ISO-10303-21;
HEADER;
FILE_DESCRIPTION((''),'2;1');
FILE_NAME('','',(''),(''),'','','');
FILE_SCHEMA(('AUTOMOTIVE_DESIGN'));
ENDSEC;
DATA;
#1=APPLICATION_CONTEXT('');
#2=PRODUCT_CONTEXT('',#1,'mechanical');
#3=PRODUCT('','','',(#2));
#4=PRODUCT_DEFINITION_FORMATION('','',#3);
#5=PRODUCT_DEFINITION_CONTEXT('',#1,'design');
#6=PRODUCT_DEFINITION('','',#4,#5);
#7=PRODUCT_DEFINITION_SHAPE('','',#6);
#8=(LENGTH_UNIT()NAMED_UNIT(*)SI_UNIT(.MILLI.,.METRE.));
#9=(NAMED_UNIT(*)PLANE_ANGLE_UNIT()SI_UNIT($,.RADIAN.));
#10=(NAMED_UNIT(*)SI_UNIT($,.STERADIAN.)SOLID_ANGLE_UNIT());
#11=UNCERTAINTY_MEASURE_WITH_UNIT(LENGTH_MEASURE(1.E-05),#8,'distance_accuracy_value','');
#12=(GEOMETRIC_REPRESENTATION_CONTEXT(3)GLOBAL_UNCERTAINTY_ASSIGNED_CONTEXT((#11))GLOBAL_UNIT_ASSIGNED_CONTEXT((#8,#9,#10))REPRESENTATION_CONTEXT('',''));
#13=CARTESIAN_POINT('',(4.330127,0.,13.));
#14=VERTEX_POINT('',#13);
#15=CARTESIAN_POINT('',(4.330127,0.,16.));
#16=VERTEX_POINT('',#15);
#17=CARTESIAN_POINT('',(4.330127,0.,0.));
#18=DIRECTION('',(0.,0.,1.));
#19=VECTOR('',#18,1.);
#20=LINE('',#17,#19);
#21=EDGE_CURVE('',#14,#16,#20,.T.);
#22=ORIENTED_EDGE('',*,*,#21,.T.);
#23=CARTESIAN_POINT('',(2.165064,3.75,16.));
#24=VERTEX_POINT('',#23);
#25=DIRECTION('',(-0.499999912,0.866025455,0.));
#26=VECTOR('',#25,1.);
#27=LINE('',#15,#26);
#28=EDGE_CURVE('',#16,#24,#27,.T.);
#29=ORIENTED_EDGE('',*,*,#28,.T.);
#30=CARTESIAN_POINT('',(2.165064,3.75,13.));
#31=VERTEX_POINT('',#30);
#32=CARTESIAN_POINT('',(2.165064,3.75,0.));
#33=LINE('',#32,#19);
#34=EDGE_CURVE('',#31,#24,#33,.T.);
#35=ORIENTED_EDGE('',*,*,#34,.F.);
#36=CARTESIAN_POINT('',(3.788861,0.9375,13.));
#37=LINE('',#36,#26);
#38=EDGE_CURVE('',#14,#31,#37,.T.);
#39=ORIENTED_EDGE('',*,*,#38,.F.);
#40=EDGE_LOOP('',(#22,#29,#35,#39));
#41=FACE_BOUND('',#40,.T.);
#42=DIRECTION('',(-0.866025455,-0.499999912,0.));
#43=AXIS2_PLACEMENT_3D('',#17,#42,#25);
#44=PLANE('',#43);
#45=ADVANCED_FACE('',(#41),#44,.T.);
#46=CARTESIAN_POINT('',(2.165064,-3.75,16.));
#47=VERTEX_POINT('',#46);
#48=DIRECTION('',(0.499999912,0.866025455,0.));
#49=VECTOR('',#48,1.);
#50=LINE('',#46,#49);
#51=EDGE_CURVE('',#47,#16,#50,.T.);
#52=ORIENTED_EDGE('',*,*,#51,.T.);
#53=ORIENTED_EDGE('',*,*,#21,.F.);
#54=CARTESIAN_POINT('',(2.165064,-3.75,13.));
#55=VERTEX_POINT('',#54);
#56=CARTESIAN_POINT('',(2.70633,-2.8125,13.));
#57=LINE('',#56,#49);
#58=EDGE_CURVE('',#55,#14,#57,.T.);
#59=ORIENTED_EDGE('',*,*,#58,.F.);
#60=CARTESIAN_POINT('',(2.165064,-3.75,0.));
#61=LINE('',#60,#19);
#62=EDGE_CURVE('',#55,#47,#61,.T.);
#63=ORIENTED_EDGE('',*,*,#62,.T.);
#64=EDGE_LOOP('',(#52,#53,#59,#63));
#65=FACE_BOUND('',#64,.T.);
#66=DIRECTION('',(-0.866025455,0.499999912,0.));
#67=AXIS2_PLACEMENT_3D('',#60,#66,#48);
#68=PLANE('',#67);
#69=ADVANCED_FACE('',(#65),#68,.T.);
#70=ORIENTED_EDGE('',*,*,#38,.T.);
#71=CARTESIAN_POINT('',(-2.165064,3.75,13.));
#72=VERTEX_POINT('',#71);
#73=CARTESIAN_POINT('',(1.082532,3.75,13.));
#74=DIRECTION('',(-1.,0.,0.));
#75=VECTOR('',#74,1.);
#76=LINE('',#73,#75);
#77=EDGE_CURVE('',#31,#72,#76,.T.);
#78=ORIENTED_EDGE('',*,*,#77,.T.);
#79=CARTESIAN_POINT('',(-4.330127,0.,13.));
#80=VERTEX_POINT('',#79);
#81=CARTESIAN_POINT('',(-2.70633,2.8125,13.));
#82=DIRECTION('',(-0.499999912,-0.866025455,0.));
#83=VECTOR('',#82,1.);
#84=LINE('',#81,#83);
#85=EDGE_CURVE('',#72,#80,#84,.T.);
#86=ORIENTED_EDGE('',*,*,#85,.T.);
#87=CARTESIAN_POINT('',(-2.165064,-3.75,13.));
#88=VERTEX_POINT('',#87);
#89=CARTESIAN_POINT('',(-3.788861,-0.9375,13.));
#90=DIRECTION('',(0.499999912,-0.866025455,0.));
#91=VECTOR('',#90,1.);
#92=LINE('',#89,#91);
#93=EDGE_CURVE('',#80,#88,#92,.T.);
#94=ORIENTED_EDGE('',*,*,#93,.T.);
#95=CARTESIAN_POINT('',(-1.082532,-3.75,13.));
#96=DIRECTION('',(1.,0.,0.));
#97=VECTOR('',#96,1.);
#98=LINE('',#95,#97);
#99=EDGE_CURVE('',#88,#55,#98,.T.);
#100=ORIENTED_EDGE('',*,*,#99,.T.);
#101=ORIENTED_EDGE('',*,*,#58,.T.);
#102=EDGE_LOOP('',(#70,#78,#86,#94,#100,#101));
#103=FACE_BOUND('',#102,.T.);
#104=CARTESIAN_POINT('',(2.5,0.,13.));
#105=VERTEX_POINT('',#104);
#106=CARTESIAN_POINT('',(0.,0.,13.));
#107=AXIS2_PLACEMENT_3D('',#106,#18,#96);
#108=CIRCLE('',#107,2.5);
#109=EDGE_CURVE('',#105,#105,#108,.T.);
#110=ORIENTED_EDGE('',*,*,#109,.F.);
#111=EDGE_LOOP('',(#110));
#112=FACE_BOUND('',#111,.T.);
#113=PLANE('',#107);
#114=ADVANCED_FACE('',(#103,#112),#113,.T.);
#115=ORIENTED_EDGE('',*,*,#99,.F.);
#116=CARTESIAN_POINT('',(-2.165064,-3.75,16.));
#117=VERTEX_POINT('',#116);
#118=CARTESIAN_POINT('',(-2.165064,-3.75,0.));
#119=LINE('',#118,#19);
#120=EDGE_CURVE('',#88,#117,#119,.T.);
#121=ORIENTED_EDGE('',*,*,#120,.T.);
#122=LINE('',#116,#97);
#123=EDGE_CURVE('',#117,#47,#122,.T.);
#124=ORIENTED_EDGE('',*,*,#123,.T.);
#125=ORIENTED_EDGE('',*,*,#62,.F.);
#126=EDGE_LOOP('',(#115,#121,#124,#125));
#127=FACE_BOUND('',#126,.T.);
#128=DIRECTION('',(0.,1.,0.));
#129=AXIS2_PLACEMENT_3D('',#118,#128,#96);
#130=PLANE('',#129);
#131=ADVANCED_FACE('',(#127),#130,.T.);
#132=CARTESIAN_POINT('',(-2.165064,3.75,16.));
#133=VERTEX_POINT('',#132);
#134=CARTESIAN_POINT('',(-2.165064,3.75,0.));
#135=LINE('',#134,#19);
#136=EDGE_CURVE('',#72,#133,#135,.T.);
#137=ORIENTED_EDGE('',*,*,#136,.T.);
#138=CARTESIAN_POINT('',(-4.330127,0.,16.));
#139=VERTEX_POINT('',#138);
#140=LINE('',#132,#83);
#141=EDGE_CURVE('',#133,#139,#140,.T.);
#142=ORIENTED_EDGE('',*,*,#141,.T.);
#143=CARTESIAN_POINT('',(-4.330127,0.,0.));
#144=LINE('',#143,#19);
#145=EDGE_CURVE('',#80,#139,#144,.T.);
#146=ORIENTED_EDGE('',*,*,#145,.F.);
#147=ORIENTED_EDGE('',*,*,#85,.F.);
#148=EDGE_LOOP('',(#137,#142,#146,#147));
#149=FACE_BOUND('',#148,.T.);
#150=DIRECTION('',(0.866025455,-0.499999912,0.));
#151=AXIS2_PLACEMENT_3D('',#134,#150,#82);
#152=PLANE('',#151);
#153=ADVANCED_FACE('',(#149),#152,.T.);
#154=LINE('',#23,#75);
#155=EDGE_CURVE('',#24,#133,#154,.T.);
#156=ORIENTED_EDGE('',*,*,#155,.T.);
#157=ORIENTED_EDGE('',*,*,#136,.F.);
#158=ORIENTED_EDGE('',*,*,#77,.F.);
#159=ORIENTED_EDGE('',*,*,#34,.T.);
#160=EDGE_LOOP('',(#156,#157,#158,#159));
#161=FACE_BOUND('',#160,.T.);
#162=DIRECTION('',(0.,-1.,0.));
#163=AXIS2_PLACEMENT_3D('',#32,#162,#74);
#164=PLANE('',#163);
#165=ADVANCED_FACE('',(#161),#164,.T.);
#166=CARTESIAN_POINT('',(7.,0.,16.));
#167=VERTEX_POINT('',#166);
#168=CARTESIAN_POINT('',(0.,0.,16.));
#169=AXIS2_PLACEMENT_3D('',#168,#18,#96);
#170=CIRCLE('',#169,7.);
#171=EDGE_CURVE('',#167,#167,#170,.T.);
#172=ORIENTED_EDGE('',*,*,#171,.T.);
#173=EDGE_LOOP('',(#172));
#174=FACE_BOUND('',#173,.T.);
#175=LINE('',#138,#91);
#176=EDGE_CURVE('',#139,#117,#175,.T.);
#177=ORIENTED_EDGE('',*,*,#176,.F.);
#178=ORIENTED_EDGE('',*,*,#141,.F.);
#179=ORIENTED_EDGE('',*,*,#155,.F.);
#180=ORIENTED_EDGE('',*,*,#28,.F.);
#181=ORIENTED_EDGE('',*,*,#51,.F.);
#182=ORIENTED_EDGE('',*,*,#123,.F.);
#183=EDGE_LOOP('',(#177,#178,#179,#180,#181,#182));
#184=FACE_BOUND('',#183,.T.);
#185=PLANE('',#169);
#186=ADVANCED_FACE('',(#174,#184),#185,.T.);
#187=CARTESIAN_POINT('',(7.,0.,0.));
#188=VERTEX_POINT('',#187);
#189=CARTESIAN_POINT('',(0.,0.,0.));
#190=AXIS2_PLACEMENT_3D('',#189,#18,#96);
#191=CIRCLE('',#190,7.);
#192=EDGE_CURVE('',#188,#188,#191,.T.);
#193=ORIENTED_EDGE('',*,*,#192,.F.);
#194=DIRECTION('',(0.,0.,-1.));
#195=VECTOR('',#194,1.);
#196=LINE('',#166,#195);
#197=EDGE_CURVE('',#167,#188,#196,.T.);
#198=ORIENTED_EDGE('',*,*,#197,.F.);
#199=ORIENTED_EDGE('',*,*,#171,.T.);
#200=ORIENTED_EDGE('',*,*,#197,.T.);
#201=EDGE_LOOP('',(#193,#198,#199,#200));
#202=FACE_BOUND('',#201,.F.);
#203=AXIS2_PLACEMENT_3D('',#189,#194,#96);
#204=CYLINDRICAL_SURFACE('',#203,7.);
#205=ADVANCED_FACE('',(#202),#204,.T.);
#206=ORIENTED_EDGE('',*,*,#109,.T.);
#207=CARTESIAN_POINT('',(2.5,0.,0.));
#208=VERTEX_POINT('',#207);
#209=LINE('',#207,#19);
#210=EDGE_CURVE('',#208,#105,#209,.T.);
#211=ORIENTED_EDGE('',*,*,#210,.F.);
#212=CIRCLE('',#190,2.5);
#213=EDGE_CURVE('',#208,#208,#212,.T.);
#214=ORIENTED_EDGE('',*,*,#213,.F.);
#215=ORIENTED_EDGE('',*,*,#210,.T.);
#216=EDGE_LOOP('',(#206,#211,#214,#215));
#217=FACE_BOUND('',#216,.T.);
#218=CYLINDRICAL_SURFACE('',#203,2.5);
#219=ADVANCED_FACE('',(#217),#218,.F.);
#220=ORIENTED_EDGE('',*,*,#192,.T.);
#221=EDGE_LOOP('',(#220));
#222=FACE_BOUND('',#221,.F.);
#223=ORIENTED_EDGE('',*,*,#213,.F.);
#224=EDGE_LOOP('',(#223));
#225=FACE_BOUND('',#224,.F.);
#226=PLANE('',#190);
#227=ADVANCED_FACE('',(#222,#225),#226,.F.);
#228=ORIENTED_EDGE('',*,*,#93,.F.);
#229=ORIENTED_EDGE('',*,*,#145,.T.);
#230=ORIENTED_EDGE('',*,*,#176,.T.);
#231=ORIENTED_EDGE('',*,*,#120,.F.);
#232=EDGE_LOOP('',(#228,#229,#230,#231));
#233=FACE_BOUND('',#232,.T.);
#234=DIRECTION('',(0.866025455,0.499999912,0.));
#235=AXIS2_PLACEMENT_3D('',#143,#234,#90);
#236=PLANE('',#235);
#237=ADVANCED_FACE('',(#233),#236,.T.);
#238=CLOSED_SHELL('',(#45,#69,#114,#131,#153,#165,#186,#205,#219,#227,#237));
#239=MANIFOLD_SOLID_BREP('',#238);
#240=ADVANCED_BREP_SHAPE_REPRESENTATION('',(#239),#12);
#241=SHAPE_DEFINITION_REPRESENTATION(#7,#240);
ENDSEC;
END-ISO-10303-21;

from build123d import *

# Parameters (mm, degrees)
SKETCH_R      = 7
PAD_DEPTH     = 16
SKETCH001_R   = 7
SKETCH001_R_2 = 2.5
PAD001_DEPTH  = 13


with BuildPart() as part:
    # Sketch → Pad (new body)
    with BuildSketch(Plane.XY):
        Circle(SKETCH_R)
        Polygon((4.330127, 0), (2.165064, 3.75), (-2.165064, 3.75), (-4.330127, 0), (-2.165064, -3.75), (2.165064, -3.75), align=None, mode=Mode.SUBTRACT)
    extrude(amount=PAD_DEPTH)

    # Sketch001 → Pad001 (join)
    with BuildSketch(Plane.XY):
        Circle(SKETCH001_R)
        Circle(SKETCH001_R_2, mode=Mode.SUBTRACT)
    extrude(amount=PAD001_DEPTH)


solid = part.part
